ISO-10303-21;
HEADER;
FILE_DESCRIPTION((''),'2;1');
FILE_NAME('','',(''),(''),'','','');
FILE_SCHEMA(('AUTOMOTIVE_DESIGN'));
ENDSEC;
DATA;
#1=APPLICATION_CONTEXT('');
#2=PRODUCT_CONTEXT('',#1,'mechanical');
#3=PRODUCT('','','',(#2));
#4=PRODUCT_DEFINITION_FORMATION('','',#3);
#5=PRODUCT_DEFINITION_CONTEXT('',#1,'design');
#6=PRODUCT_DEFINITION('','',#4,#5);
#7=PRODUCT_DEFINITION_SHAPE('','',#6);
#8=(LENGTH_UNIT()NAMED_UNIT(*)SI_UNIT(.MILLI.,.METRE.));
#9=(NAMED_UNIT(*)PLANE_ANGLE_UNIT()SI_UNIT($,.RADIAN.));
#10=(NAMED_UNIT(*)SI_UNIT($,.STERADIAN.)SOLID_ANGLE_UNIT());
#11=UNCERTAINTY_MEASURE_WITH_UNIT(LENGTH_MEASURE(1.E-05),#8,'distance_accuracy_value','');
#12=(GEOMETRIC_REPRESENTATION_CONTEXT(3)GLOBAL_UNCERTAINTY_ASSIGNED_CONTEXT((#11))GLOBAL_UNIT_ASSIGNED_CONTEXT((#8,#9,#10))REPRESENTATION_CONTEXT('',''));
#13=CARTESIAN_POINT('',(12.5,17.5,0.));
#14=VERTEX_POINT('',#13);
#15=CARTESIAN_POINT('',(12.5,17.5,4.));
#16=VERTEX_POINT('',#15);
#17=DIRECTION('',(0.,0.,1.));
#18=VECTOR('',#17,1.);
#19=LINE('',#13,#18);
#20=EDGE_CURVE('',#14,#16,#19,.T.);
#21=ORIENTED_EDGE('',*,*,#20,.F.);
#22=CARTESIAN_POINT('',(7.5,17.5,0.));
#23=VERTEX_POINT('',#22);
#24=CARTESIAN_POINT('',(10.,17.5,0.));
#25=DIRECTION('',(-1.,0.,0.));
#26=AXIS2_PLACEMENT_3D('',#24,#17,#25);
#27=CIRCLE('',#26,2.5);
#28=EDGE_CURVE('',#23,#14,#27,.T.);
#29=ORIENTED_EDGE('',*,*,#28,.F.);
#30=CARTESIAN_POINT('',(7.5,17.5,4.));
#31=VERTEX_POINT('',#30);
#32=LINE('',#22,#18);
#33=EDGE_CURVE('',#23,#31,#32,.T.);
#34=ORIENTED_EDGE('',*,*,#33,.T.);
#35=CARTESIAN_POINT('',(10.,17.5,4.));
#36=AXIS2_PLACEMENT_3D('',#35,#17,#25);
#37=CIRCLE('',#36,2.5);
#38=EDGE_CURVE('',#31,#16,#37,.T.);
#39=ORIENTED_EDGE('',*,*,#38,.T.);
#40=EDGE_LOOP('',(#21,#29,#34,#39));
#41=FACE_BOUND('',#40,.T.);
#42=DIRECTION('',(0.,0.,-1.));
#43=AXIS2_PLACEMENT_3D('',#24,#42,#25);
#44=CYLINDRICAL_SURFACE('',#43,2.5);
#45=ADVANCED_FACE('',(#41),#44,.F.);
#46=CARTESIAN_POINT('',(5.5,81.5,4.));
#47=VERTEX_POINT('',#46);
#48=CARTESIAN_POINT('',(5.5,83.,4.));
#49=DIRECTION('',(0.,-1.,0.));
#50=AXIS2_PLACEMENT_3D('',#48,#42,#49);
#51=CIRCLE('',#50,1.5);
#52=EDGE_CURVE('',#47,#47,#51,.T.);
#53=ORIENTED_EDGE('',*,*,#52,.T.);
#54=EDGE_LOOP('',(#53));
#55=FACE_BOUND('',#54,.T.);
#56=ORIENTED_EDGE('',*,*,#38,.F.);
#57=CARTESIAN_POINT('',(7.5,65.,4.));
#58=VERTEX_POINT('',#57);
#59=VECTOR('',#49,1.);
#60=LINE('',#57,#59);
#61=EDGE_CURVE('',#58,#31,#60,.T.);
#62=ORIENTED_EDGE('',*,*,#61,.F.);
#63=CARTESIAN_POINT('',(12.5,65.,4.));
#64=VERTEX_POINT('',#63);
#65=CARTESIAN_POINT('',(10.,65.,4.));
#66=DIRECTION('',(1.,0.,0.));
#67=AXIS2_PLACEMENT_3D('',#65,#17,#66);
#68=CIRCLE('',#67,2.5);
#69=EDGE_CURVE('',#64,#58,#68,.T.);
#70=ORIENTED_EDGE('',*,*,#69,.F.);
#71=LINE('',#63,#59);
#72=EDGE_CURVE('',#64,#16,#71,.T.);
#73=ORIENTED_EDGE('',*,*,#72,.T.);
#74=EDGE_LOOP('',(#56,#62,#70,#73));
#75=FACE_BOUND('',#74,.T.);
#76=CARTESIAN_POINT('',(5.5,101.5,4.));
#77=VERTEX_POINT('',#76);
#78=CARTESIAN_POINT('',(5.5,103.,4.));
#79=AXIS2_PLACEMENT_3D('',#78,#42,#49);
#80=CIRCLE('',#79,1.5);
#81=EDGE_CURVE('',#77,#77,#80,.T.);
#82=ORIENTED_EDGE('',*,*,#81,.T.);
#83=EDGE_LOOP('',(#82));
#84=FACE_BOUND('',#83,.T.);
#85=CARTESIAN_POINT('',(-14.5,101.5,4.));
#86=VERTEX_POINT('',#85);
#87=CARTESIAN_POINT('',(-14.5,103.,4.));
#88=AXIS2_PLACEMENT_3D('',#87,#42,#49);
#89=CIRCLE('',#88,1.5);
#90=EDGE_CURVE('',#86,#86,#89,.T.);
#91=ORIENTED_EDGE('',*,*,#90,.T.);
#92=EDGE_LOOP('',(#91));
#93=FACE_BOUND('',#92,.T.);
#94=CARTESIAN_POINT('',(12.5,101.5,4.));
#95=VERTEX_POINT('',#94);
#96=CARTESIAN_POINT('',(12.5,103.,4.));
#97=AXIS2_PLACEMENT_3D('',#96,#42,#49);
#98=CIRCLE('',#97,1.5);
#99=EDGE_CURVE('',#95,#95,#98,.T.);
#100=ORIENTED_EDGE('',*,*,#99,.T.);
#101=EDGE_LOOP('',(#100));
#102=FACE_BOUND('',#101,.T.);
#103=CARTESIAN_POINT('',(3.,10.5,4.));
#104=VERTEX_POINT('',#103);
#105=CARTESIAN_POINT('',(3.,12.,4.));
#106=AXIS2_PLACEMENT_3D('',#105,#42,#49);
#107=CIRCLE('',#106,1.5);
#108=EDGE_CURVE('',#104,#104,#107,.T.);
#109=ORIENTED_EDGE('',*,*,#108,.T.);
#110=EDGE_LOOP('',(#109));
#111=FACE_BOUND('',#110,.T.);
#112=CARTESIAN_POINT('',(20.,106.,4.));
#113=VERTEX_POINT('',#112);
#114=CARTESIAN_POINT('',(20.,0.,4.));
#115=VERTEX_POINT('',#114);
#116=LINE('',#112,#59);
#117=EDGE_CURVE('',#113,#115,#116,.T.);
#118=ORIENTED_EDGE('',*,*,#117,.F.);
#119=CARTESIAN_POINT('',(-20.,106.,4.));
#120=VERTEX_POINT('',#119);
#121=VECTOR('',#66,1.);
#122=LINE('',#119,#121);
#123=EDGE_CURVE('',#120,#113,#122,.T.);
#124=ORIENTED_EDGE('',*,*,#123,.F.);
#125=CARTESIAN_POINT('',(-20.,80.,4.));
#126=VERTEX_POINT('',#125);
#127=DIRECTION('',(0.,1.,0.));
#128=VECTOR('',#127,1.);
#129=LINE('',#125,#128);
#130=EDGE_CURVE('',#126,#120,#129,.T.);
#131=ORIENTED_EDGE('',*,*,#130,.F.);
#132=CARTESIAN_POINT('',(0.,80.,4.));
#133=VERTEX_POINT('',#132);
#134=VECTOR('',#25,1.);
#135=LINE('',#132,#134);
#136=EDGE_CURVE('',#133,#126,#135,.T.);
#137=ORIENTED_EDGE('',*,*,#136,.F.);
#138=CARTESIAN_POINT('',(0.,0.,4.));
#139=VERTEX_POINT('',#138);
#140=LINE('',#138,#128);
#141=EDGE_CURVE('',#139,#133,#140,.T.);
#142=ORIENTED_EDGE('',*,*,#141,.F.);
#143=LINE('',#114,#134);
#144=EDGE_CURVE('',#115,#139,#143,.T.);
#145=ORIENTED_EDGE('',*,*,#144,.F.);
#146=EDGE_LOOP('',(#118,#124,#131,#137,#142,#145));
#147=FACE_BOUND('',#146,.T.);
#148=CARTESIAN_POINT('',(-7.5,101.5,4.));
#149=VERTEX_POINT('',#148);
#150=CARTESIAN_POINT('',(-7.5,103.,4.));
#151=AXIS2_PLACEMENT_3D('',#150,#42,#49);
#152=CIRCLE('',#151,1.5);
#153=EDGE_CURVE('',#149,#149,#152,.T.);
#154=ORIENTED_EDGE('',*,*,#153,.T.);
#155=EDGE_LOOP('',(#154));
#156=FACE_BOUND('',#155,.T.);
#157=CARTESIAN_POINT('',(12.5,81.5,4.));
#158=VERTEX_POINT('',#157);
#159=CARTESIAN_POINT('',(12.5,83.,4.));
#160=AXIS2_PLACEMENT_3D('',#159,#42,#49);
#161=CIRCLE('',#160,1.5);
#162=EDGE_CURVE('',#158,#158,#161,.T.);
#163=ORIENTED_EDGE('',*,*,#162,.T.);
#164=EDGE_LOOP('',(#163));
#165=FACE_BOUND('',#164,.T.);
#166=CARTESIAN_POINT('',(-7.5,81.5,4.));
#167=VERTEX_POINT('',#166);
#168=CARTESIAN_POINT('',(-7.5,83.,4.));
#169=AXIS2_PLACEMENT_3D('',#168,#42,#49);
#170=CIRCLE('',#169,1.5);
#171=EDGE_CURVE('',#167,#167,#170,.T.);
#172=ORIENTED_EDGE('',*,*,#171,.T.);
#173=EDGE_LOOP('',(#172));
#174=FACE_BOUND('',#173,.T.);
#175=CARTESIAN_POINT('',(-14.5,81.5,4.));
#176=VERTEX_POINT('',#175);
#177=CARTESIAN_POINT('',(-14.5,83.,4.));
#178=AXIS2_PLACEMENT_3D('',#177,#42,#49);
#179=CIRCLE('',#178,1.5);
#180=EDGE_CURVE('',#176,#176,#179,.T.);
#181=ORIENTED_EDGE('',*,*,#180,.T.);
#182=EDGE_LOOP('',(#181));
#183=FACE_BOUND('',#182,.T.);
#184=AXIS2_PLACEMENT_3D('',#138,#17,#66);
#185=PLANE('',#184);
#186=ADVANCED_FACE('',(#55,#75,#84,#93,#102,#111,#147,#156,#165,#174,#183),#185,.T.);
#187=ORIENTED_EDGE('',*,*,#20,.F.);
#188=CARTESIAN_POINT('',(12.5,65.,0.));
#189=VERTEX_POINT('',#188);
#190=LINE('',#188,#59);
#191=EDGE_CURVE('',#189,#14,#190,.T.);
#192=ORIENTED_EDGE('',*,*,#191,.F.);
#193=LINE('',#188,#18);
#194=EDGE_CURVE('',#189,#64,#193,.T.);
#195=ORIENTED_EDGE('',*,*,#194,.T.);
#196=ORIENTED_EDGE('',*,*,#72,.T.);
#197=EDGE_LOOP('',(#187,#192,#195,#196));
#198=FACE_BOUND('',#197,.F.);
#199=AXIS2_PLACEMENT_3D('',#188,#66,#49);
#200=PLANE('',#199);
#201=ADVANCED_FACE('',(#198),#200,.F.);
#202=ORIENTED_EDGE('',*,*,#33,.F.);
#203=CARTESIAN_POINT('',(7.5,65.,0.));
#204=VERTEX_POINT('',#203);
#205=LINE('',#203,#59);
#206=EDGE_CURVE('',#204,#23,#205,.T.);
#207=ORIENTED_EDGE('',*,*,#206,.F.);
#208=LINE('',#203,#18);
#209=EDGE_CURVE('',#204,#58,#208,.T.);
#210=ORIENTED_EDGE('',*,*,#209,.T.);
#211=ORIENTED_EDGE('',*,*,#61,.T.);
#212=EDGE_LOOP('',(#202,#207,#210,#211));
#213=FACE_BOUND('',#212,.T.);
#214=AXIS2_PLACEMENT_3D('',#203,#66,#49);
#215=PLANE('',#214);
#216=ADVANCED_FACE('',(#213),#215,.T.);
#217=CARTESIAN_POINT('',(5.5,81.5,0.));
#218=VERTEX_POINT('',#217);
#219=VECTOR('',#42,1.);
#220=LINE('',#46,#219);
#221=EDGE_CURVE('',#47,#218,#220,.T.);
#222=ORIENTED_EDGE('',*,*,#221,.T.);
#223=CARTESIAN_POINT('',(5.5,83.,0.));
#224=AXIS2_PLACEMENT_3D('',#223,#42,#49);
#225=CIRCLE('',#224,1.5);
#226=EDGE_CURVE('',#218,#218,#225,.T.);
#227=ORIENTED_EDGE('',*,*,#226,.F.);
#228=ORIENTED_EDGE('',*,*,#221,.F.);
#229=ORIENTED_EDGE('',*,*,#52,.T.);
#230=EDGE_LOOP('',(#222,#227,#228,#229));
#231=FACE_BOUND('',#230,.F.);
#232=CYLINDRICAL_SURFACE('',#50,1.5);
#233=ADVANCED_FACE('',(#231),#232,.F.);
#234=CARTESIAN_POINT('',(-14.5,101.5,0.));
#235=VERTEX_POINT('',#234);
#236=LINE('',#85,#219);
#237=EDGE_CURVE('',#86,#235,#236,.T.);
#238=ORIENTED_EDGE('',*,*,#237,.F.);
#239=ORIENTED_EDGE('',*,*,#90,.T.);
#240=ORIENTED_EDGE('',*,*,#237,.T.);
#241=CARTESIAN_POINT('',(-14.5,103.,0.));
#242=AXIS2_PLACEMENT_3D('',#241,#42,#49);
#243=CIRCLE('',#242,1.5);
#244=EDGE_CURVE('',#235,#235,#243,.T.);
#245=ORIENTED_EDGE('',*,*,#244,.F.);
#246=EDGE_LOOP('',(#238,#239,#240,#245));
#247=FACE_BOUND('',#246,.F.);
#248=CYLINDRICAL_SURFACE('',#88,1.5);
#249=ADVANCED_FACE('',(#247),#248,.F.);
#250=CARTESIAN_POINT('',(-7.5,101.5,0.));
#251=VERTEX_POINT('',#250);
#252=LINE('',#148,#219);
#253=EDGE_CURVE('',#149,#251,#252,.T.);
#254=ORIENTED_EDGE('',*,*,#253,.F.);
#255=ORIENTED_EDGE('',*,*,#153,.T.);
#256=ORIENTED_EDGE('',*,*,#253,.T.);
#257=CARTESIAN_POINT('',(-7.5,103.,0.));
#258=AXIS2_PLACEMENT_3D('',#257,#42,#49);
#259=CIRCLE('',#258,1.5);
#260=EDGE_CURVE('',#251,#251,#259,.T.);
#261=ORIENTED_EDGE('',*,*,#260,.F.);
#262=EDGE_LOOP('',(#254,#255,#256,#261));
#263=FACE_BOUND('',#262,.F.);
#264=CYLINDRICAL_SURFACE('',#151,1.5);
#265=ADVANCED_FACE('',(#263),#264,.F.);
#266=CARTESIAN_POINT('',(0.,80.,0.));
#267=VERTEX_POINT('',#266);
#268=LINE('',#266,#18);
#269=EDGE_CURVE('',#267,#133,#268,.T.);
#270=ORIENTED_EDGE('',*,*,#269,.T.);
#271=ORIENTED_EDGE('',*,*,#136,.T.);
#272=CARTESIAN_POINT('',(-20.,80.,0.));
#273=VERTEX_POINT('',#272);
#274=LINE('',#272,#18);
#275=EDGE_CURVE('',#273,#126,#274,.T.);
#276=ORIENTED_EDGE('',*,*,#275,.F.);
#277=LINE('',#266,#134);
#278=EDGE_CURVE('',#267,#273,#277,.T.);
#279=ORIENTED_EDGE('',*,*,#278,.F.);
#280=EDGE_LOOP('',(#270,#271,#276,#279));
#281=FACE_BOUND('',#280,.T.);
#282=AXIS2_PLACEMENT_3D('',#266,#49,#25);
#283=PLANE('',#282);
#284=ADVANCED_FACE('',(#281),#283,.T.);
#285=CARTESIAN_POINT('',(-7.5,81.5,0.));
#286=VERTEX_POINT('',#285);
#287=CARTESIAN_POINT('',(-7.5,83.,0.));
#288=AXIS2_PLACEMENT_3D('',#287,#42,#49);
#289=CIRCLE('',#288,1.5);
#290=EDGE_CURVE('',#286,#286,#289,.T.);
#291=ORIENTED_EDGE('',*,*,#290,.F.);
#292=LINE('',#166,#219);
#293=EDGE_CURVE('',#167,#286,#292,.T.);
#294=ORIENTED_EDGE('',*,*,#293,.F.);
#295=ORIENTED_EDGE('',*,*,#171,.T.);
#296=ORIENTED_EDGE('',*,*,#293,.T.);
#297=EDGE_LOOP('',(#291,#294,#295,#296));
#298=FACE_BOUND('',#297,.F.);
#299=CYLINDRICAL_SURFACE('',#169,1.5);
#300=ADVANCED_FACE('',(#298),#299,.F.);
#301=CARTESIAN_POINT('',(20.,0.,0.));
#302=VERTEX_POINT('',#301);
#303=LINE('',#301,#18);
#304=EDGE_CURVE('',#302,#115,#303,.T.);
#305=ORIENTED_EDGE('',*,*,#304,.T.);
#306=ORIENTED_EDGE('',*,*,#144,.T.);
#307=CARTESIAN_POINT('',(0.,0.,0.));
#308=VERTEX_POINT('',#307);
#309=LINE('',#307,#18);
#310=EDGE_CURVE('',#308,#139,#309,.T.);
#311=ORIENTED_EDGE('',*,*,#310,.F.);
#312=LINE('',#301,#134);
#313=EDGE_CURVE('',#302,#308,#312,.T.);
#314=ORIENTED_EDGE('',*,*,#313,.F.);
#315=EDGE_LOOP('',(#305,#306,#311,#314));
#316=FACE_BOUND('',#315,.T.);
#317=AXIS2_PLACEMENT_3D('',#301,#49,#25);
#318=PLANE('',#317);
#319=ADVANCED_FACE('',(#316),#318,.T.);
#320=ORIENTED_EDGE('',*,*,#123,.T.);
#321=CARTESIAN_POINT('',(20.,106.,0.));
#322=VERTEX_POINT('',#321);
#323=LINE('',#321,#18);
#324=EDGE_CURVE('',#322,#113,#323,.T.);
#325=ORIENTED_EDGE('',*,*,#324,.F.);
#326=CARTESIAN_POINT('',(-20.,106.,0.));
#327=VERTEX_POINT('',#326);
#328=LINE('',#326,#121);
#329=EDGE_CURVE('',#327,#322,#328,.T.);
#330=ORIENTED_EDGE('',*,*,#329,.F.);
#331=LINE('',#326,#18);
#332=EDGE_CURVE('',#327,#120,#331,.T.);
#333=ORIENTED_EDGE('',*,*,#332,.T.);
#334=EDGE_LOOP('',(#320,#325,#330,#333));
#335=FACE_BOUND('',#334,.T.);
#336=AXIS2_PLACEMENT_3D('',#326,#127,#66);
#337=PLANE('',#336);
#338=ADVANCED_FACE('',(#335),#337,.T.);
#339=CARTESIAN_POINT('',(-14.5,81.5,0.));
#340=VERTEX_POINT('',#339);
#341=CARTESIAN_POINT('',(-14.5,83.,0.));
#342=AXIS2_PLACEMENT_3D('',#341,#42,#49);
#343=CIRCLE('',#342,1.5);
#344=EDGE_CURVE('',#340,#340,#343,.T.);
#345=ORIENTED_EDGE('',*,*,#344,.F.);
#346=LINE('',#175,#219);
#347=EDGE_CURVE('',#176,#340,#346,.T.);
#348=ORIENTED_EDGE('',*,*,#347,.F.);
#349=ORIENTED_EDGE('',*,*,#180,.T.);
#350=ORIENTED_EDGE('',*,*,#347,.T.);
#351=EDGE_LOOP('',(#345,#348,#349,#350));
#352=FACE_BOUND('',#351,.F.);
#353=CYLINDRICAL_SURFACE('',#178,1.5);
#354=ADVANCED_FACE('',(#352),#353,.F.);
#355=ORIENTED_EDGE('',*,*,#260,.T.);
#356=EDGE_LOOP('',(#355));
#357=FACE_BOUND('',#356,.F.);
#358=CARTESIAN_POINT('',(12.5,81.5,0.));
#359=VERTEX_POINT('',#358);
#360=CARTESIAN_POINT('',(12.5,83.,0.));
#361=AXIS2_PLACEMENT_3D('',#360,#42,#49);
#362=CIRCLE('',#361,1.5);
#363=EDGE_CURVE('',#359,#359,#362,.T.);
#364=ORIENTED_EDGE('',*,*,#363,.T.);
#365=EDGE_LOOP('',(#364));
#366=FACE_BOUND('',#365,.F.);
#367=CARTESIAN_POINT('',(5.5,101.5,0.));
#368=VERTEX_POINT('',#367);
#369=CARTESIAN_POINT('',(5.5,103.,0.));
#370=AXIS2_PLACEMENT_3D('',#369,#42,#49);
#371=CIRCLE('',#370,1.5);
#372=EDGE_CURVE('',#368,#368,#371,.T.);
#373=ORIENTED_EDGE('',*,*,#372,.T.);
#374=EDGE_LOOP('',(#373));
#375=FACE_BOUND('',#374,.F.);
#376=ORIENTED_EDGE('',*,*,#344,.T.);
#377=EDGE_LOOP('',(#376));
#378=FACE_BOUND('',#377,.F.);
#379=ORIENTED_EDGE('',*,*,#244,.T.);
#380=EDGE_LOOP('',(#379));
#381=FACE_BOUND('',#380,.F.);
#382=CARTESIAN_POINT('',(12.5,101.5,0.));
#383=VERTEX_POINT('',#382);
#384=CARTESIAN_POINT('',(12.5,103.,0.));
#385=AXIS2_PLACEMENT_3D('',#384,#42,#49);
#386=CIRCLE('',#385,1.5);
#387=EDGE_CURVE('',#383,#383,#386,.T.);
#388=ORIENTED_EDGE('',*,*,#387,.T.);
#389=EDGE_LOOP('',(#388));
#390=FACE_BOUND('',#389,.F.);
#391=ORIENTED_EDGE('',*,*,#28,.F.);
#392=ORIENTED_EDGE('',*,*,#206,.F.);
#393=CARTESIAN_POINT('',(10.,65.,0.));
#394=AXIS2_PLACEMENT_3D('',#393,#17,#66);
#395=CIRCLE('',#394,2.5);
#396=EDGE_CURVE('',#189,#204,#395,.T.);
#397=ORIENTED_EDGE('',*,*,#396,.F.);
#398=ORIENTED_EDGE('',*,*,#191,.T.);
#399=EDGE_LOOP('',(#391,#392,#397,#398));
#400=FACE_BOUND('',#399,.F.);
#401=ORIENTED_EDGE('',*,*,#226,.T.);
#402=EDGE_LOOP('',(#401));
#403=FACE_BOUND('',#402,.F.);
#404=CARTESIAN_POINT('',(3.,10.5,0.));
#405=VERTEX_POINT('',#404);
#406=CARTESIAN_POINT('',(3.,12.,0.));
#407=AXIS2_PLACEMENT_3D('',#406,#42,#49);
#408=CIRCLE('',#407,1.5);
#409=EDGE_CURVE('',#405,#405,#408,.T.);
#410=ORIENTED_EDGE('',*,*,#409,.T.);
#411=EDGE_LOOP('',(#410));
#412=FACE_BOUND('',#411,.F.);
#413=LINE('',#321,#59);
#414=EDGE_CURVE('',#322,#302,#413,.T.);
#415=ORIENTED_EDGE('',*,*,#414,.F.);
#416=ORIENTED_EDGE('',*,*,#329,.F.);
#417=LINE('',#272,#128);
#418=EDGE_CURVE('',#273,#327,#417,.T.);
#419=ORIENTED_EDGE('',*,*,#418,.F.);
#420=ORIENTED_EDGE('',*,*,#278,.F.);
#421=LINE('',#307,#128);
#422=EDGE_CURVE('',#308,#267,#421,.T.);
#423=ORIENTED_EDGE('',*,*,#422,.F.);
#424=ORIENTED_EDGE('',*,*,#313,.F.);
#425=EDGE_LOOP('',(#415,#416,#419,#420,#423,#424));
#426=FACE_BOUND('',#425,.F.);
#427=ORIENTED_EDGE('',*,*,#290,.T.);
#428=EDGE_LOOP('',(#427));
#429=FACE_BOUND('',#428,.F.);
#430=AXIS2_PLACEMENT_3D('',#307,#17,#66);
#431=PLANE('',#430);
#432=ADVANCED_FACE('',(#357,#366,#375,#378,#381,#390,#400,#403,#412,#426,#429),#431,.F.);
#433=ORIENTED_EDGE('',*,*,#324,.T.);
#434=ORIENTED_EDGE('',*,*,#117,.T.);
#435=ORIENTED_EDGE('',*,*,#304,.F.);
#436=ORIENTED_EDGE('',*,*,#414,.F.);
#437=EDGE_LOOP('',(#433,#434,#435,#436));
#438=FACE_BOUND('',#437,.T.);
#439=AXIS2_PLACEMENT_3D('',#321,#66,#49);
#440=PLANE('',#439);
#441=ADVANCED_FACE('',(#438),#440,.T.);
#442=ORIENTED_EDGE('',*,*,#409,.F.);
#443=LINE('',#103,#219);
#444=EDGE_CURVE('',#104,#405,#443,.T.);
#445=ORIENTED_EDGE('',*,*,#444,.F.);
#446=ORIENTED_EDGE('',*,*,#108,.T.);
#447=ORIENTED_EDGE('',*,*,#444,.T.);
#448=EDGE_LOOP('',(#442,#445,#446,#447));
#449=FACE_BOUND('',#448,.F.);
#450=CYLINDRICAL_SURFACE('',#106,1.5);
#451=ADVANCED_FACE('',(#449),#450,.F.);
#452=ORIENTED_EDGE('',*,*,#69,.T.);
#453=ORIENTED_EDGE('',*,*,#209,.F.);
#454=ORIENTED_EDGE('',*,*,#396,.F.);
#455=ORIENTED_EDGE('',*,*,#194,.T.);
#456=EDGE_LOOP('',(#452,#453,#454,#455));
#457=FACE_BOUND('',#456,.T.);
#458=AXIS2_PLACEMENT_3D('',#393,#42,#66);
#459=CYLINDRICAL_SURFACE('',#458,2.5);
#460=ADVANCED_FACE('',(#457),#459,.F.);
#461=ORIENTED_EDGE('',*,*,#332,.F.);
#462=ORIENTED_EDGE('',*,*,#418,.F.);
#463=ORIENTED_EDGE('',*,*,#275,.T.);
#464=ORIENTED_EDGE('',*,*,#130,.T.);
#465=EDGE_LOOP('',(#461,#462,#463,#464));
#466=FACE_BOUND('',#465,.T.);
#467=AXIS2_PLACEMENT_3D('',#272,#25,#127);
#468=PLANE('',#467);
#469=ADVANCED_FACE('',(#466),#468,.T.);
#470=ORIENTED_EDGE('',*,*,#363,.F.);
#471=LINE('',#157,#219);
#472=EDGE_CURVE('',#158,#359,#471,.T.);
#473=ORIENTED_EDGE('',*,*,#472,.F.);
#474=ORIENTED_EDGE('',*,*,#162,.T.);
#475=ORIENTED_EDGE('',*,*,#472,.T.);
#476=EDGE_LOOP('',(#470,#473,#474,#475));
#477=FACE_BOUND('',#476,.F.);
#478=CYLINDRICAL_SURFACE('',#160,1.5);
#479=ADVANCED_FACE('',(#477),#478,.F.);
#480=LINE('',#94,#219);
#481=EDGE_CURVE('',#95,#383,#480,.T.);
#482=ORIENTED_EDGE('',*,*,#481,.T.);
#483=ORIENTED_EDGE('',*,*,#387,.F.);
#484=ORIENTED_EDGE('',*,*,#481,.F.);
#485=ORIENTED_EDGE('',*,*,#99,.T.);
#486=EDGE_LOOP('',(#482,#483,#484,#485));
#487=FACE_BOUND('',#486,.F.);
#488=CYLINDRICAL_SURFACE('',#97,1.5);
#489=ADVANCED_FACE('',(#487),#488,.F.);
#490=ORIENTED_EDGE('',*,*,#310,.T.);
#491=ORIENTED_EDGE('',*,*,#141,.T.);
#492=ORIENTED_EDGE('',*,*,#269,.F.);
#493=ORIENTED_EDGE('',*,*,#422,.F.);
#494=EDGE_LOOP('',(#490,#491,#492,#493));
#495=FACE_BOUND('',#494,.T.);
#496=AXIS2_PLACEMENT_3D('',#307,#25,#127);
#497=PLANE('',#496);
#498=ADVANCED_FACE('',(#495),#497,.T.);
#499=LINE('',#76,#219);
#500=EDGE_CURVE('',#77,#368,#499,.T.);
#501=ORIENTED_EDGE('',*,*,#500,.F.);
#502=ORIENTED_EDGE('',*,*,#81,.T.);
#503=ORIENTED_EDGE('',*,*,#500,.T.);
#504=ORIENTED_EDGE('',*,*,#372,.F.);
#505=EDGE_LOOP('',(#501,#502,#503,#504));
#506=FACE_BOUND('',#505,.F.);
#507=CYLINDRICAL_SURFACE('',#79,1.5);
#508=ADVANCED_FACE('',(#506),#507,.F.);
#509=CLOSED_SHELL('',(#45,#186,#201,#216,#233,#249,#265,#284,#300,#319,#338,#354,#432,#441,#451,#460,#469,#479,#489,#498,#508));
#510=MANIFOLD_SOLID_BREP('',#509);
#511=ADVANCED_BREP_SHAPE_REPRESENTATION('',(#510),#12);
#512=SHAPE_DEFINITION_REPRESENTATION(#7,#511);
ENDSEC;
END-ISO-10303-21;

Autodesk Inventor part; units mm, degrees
ref_plane "YZ Plane" through (0, 0, 0) normal (1, 0, 0) x (0, 1, 0)
ref_plane "XZ Plane" through (0, 0, 0) normal (0, 1, 0) x (-1, 0, 0)
ref_plane "XY Plane" through (0, 0, 0) normal (0, 0, 1) x (1, 0, 0)
sketch "Skizze1" plane through (0, 0, 0) normal (0, 0, 1) x (1, 0, 0)
  line L0 (0, 0) -> (0, 80)
  line L1 (0, 80) -> (-20, 80)
  line L2 (-20, 80) -> (-20, 106)
  line L3 (-20, 106) -> (20, 106)
  line L4 (20, 106) -> (20, 0)
  line L5 (20, 0) -> (0, 0)
  arc A0 (7.5, 17.5) -> (12.5, 17.5) centre (10, 17.5) ccw
  arc A1 (12.5, 65) -> (7.5, 65) centre (10, 65) ccw
  line L6 (7.5, 65) -> (7.5, 17.5)
  line L7 (12.5, 65) -> (12.5, 17.5)
  dimension "d0" = 26
  dimension "d1" = 80
  dimension "d2" = 40
  dimension "d3" = 20
  dimension "d5" = 5
  dimension "d6" = 15
  dimension "d7" = 10
  dimension "d8" = 10
  dimension "d9" = 65
  dimension "d12" = 2.5
extrude "Extrusion1" add sketch "Skizze1" along normal blind 4
hole "Bohrung1" at (-14.5, 83, 4) direction (0, 0, -1) diameter 3 depth 8 tip angle 118
hole "Bohrung2" at (-7.5, 83, 4) direction (0, 0, -1) diameter 3 depth 8 tip angle 118
hole "Bohrung3" at (5.5, 83, 4) direction (0, 0, -1) diameter 3 depth 8 tip angle 118
hole "Bohrung4" at (12.5, 83, 4) direction (0, 0, -1) diameter 3 depth 8 tip angle 118
hole "Bohrung5" at (-14.5, 103, 4) direction (0, 0, -1) diameter 3 depth 8 tip angle 118
hole "Bohrung6" at (-7.5, 103, 4) direction (0, 0, -1) diameter 3 depth 8 tip angle 118
hole "Bohrung7" at (5.5, 103, 4) direction (0, 0, -1) diameter 3 depth 8 tip angle 118
hole "Bohrung8" at (12.5, 103, 4) direction (0, 0, -1) diameter 3 depth 8 tip angle 118
hole "Bohrung9" at (3, 12, 4) direction (0, 0, -1) diameter 3 depth 8 tip angle 118
properties part number "Montageplatte"
